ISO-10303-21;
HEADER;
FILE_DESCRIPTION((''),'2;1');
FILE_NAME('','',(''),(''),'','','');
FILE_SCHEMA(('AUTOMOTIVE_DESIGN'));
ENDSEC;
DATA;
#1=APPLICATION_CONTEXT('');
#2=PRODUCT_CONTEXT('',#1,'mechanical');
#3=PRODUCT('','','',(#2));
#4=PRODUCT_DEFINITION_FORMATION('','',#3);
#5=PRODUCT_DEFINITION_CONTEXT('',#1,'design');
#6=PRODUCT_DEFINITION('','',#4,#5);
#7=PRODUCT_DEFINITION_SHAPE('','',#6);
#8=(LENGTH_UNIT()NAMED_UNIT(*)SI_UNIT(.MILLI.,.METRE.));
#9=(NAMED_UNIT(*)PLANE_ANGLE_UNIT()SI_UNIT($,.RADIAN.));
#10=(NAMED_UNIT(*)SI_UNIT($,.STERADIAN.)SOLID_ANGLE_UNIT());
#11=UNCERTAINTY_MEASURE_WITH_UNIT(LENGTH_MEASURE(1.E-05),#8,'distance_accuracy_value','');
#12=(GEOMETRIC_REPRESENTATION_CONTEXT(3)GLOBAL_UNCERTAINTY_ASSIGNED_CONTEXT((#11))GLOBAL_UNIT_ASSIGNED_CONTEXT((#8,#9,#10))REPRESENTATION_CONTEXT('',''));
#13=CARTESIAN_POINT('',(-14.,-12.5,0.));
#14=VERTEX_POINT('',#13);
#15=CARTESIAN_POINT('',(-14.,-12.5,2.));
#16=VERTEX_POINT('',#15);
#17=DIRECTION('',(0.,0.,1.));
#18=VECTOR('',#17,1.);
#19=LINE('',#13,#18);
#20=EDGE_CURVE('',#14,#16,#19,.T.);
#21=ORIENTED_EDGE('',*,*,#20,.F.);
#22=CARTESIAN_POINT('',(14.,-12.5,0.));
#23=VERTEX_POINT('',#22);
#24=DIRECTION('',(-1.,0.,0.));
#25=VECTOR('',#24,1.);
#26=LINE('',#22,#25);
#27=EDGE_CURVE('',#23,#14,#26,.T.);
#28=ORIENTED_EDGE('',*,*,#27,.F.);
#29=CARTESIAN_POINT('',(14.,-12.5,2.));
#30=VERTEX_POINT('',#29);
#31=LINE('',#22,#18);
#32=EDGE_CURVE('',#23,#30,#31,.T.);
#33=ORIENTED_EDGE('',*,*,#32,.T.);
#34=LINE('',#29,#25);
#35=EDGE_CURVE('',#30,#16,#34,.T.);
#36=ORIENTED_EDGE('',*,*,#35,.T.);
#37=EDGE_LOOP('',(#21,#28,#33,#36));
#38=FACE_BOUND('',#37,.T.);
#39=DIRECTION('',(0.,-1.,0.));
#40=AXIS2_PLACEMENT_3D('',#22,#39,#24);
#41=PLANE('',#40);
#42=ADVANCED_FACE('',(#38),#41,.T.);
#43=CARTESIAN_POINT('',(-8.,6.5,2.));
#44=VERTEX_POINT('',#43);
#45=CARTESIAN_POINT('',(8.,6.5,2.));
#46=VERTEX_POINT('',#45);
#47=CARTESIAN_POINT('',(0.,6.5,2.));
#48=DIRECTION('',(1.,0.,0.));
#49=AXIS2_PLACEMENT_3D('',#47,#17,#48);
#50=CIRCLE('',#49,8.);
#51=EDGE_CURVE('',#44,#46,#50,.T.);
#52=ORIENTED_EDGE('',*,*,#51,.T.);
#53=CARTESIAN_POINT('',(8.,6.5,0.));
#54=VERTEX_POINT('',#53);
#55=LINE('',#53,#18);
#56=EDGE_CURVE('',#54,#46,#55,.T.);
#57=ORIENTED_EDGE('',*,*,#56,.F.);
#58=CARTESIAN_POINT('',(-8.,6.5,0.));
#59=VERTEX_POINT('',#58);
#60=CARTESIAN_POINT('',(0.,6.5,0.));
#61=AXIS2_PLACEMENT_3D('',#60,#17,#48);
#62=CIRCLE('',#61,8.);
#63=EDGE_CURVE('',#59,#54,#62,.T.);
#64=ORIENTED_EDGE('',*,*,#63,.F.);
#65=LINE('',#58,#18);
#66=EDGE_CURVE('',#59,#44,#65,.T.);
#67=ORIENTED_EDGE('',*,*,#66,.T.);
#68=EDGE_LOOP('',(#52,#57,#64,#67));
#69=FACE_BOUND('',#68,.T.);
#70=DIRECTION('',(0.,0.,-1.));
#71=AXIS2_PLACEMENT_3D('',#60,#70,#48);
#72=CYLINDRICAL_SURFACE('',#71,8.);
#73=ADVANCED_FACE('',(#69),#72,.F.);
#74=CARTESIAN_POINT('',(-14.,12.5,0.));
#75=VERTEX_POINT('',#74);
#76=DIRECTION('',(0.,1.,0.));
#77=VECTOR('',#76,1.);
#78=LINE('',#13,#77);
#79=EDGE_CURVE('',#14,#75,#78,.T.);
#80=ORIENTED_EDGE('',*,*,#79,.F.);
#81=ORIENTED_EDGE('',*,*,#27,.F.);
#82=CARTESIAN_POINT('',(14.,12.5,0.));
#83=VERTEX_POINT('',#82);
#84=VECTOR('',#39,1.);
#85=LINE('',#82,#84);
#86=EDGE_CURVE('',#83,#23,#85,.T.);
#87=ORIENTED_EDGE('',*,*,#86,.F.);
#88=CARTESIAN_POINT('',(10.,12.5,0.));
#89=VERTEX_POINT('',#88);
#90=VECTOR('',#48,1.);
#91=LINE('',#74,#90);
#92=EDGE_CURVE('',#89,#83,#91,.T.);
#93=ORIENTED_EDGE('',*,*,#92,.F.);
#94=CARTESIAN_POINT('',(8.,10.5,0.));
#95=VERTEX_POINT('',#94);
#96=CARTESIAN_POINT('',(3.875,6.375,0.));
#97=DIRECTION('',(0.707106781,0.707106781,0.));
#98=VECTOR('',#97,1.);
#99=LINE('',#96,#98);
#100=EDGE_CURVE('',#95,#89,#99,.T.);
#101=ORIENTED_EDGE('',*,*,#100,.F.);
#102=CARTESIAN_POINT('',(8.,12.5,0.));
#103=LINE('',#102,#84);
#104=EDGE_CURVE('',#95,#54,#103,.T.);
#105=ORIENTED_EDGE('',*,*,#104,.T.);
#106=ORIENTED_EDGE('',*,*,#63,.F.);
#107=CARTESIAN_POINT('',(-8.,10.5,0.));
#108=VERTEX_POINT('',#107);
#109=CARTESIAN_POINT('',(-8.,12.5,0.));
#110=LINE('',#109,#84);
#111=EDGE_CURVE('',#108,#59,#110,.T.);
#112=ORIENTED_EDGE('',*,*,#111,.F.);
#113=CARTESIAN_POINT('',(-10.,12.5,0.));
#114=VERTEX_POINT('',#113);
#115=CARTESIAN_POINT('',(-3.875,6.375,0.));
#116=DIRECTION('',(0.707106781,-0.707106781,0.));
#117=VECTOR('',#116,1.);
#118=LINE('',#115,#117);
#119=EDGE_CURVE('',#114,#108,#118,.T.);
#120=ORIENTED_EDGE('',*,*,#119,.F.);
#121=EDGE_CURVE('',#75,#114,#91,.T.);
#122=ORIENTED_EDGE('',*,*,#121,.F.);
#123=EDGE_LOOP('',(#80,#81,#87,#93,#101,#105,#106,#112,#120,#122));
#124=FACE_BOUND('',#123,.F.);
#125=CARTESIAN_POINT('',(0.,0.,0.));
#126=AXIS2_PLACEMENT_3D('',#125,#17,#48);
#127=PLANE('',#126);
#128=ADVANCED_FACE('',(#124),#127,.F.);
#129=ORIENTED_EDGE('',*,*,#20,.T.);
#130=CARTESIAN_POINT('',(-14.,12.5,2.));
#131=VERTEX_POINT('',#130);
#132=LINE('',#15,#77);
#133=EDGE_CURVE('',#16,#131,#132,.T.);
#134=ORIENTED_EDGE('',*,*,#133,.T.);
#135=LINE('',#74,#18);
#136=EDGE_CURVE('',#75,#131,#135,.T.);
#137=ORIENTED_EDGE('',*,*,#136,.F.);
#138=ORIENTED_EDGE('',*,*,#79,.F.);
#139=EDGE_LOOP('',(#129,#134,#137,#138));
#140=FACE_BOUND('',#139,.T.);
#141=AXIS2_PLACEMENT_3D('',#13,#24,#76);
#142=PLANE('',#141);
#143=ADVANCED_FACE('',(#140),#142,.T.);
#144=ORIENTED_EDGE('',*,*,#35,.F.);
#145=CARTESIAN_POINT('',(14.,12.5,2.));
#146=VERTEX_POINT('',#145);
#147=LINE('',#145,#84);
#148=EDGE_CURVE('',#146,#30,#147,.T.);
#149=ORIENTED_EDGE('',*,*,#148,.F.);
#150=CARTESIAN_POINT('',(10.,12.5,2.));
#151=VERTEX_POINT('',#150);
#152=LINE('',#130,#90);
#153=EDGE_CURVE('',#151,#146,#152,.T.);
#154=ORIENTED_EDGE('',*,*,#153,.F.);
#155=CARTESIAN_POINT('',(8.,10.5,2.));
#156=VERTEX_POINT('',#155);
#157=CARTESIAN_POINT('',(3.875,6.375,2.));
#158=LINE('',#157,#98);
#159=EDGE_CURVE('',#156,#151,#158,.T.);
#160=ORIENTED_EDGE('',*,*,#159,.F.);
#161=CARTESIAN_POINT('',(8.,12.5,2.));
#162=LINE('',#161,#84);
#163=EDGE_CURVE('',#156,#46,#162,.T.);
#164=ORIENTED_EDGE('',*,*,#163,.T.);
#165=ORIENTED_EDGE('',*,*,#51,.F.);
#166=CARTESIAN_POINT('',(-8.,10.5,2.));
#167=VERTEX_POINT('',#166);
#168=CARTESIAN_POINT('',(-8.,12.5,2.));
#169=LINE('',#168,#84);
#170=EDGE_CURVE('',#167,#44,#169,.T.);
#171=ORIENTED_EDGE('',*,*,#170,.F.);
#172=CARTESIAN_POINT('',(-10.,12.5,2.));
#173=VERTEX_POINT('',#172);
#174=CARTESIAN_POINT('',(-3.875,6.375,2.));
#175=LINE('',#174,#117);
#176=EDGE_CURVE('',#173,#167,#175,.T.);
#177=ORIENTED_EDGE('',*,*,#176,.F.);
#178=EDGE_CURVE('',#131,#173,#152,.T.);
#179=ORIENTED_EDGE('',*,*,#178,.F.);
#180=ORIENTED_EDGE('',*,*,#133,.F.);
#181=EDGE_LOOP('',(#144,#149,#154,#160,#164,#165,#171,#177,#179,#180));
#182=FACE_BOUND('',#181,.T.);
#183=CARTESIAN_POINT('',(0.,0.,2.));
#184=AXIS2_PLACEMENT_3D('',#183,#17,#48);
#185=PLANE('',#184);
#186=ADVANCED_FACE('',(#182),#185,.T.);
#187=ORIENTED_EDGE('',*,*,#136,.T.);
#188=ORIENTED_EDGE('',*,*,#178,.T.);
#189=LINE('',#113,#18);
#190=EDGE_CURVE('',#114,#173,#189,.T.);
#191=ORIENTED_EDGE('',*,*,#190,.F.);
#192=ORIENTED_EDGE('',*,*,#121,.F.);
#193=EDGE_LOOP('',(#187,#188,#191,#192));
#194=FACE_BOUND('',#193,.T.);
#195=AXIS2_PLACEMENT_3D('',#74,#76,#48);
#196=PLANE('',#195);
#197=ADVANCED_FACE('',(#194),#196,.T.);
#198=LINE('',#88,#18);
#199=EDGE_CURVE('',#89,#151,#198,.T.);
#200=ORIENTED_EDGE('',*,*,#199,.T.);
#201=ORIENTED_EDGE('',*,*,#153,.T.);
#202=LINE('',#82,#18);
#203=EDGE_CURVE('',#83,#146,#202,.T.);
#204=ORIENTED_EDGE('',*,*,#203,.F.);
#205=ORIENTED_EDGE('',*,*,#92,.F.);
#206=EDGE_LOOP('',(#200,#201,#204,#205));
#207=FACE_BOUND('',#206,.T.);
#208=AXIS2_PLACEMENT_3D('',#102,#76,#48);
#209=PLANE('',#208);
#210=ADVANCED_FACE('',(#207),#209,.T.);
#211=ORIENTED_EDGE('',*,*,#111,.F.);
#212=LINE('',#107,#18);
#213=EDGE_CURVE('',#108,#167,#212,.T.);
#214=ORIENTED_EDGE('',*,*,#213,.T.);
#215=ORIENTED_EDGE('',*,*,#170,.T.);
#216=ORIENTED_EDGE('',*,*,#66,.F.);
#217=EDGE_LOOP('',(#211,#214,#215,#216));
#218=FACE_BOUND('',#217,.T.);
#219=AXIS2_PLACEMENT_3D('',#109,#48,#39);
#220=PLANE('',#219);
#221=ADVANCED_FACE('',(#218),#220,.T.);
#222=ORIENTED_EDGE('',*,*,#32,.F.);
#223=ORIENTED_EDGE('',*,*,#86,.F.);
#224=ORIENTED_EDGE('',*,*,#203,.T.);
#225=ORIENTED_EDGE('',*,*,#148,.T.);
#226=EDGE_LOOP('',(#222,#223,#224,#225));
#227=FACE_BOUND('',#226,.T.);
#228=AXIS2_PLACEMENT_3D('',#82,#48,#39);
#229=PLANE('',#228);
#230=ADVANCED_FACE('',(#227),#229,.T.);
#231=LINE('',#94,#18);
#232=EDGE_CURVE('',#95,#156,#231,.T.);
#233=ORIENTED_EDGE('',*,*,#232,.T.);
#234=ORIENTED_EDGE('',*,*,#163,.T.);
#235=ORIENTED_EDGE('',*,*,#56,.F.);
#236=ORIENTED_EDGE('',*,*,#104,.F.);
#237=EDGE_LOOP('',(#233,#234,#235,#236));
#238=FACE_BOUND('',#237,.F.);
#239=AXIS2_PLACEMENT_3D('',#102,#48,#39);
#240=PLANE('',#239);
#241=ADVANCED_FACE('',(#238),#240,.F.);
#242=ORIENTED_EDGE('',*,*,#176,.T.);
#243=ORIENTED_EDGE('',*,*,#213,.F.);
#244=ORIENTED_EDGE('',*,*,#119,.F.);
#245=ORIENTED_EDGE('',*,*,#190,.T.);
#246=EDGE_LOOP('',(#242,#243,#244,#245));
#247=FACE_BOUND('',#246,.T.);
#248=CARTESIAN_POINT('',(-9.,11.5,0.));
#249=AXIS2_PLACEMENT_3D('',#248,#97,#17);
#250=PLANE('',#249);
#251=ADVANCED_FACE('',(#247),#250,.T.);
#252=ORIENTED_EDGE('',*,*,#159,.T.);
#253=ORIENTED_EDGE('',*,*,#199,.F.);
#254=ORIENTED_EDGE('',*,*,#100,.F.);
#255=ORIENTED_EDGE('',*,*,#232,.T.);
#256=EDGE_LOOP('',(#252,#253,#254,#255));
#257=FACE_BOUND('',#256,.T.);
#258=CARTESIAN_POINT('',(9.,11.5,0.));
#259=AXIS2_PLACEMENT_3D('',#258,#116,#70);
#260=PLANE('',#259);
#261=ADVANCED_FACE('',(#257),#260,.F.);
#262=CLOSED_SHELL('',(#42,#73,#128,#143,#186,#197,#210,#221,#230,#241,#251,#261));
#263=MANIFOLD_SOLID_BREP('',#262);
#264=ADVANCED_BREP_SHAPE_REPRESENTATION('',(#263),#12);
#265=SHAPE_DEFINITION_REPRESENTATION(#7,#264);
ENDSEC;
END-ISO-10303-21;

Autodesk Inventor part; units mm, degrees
ref_plane "YZ Plane" through (0, 0, 0) normal (1, 0, 0) x (0, 1, 0)
ref_plane "XZ Plane" through (0, 0, 0) normal (0, 1, 0) x (-1, 0, 0)
ref_plane "XY Plane" through (0, 0, 0) normal (0, 0, 1) x (1, 0, 0)
sketch "Sketch1" plane through (0, 0, 0) normal (0, 0, 1) x (1, 0, 0)
  line L0 (-14, 12.5) -> (14, 12.5)
  line L1 (14, 12.5) -> (14, -12.5)
  line L2 (14, -12.5) -> (-14, -12.5)
  line L3 (-14, -12.5) -> (-14, 12.5)
  circle A0 centre (0, 6.5) radius 8
  line L4 (-8, 12.5) -> (-8, 6.5)
  line L5 (-8, 1.1823) -> (-8, 1.3302)
  line L6 (8, 12.5) -> (8, 6.5)
  point P0 (0, 0)
  point P1 (-14, 0)
  point P2 (0, 12.5)
  point P3 (5.2915, 12.5)
  point P4 (-5.2915, 12.5)
  dimension "d0" = 28
  dimension "d1" = 25
  dimension "d2" = 16
  dimension "d4" = 11
extrude "Extrusion1" add sketch "Sketch1" along normal blind 2 contours L0 L4 A0 L6 L1 L2 L3
chamfer "Chamfer2" distance 2 angle 45 2 edges at (-8, 12.5, 1) (8, 12.5, 1)
properties part number "0008-10-058"
